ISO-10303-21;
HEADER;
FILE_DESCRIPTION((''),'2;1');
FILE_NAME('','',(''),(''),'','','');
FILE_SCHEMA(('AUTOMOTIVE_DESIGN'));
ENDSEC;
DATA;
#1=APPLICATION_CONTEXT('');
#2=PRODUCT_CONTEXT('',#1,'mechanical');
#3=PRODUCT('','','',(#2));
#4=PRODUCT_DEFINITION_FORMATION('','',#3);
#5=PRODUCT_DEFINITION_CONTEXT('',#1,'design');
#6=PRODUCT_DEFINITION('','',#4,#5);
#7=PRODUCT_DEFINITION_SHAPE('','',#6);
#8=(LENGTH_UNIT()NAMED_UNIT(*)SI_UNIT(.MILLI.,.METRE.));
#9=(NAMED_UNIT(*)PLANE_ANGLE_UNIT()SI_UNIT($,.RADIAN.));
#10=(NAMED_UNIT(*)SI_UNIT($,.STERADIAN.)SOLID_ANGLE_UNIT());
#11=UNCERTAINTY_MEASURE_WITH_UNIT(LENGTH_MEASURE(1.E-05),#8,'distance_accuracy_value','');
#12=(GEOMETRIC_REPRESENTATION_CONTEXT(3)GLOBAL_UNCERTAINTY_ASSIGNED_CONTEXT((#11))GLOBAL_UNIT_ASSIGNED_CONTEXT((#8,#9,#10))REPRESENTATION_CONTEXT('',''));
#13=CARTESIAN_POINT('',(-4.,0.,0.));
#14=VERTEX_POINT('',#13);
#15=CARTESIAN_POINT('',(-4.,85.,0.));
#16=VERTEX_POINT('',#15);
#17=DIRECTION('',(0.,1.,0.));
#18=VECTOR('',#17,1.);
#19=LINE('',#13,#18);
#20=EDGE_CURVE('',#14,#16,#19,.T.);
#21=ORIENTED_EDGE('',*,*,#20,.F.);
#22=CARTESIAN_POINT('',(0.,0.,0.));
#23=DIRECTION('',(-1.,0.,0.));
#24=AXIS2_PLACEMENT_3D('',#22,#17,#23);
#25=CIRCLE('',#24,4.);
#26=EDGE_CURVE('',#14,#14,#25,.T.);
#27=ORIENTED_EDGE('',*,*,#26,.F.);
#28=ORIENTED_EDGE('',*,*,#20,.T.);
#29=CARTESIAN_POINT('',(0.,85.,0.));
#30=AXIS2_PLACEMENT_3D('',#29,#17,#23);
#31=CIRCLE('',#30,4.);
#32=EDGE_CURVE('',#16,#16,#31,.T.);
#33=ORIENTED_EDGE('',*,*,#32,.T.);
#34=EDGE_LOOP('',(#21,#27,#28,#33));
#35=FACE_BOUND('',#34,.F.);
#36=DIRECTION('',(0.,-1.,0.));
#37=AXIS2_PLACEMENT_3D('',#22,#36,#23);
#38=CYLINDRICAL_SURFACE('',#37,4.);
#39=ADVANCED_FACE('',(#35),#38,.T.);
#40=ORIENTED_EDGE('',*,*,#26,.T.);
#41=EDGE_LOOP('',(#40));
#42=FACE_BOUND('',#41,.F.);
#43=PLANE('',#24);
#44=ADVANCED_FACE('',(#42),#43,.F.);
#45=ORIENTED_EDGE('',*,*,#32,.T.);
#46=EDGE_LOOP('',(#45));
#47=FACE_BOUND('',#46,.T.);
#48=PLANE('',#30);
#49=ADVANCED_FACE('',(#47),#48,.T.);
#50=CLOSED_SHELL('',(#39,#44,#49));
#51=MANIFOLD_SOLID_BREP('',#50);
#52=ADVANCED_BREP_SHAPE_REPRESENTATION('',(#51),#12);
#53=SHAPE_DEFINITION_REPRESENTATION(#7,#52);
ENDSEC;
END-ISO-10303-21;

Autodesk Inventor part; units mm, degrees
ref_plane "YZ Plane" through (0, 0, 0) normal (1, 0, 0) x (0, 1, 0)
ref_plane "XZ Plane" through (0, 0, 0) normal (0, 1, 0) x (-1, 0, 0)
ref_plane "XY Plane" through (0, 0, 0) normal (0, 0, 1) x (1, 0, 0)
sketch "Sketch1" plane through (0, 0, 0) normal (0, 1, 0) x (-1, 0, 0)
  circle A0 centre (0, 0) radius 4
  dimension "d0" = 8
extrude "Extrusion1" add sketch "Sketch1" along normal blind 85
properties part number "Eje8mm" material "Stainless Steel"
